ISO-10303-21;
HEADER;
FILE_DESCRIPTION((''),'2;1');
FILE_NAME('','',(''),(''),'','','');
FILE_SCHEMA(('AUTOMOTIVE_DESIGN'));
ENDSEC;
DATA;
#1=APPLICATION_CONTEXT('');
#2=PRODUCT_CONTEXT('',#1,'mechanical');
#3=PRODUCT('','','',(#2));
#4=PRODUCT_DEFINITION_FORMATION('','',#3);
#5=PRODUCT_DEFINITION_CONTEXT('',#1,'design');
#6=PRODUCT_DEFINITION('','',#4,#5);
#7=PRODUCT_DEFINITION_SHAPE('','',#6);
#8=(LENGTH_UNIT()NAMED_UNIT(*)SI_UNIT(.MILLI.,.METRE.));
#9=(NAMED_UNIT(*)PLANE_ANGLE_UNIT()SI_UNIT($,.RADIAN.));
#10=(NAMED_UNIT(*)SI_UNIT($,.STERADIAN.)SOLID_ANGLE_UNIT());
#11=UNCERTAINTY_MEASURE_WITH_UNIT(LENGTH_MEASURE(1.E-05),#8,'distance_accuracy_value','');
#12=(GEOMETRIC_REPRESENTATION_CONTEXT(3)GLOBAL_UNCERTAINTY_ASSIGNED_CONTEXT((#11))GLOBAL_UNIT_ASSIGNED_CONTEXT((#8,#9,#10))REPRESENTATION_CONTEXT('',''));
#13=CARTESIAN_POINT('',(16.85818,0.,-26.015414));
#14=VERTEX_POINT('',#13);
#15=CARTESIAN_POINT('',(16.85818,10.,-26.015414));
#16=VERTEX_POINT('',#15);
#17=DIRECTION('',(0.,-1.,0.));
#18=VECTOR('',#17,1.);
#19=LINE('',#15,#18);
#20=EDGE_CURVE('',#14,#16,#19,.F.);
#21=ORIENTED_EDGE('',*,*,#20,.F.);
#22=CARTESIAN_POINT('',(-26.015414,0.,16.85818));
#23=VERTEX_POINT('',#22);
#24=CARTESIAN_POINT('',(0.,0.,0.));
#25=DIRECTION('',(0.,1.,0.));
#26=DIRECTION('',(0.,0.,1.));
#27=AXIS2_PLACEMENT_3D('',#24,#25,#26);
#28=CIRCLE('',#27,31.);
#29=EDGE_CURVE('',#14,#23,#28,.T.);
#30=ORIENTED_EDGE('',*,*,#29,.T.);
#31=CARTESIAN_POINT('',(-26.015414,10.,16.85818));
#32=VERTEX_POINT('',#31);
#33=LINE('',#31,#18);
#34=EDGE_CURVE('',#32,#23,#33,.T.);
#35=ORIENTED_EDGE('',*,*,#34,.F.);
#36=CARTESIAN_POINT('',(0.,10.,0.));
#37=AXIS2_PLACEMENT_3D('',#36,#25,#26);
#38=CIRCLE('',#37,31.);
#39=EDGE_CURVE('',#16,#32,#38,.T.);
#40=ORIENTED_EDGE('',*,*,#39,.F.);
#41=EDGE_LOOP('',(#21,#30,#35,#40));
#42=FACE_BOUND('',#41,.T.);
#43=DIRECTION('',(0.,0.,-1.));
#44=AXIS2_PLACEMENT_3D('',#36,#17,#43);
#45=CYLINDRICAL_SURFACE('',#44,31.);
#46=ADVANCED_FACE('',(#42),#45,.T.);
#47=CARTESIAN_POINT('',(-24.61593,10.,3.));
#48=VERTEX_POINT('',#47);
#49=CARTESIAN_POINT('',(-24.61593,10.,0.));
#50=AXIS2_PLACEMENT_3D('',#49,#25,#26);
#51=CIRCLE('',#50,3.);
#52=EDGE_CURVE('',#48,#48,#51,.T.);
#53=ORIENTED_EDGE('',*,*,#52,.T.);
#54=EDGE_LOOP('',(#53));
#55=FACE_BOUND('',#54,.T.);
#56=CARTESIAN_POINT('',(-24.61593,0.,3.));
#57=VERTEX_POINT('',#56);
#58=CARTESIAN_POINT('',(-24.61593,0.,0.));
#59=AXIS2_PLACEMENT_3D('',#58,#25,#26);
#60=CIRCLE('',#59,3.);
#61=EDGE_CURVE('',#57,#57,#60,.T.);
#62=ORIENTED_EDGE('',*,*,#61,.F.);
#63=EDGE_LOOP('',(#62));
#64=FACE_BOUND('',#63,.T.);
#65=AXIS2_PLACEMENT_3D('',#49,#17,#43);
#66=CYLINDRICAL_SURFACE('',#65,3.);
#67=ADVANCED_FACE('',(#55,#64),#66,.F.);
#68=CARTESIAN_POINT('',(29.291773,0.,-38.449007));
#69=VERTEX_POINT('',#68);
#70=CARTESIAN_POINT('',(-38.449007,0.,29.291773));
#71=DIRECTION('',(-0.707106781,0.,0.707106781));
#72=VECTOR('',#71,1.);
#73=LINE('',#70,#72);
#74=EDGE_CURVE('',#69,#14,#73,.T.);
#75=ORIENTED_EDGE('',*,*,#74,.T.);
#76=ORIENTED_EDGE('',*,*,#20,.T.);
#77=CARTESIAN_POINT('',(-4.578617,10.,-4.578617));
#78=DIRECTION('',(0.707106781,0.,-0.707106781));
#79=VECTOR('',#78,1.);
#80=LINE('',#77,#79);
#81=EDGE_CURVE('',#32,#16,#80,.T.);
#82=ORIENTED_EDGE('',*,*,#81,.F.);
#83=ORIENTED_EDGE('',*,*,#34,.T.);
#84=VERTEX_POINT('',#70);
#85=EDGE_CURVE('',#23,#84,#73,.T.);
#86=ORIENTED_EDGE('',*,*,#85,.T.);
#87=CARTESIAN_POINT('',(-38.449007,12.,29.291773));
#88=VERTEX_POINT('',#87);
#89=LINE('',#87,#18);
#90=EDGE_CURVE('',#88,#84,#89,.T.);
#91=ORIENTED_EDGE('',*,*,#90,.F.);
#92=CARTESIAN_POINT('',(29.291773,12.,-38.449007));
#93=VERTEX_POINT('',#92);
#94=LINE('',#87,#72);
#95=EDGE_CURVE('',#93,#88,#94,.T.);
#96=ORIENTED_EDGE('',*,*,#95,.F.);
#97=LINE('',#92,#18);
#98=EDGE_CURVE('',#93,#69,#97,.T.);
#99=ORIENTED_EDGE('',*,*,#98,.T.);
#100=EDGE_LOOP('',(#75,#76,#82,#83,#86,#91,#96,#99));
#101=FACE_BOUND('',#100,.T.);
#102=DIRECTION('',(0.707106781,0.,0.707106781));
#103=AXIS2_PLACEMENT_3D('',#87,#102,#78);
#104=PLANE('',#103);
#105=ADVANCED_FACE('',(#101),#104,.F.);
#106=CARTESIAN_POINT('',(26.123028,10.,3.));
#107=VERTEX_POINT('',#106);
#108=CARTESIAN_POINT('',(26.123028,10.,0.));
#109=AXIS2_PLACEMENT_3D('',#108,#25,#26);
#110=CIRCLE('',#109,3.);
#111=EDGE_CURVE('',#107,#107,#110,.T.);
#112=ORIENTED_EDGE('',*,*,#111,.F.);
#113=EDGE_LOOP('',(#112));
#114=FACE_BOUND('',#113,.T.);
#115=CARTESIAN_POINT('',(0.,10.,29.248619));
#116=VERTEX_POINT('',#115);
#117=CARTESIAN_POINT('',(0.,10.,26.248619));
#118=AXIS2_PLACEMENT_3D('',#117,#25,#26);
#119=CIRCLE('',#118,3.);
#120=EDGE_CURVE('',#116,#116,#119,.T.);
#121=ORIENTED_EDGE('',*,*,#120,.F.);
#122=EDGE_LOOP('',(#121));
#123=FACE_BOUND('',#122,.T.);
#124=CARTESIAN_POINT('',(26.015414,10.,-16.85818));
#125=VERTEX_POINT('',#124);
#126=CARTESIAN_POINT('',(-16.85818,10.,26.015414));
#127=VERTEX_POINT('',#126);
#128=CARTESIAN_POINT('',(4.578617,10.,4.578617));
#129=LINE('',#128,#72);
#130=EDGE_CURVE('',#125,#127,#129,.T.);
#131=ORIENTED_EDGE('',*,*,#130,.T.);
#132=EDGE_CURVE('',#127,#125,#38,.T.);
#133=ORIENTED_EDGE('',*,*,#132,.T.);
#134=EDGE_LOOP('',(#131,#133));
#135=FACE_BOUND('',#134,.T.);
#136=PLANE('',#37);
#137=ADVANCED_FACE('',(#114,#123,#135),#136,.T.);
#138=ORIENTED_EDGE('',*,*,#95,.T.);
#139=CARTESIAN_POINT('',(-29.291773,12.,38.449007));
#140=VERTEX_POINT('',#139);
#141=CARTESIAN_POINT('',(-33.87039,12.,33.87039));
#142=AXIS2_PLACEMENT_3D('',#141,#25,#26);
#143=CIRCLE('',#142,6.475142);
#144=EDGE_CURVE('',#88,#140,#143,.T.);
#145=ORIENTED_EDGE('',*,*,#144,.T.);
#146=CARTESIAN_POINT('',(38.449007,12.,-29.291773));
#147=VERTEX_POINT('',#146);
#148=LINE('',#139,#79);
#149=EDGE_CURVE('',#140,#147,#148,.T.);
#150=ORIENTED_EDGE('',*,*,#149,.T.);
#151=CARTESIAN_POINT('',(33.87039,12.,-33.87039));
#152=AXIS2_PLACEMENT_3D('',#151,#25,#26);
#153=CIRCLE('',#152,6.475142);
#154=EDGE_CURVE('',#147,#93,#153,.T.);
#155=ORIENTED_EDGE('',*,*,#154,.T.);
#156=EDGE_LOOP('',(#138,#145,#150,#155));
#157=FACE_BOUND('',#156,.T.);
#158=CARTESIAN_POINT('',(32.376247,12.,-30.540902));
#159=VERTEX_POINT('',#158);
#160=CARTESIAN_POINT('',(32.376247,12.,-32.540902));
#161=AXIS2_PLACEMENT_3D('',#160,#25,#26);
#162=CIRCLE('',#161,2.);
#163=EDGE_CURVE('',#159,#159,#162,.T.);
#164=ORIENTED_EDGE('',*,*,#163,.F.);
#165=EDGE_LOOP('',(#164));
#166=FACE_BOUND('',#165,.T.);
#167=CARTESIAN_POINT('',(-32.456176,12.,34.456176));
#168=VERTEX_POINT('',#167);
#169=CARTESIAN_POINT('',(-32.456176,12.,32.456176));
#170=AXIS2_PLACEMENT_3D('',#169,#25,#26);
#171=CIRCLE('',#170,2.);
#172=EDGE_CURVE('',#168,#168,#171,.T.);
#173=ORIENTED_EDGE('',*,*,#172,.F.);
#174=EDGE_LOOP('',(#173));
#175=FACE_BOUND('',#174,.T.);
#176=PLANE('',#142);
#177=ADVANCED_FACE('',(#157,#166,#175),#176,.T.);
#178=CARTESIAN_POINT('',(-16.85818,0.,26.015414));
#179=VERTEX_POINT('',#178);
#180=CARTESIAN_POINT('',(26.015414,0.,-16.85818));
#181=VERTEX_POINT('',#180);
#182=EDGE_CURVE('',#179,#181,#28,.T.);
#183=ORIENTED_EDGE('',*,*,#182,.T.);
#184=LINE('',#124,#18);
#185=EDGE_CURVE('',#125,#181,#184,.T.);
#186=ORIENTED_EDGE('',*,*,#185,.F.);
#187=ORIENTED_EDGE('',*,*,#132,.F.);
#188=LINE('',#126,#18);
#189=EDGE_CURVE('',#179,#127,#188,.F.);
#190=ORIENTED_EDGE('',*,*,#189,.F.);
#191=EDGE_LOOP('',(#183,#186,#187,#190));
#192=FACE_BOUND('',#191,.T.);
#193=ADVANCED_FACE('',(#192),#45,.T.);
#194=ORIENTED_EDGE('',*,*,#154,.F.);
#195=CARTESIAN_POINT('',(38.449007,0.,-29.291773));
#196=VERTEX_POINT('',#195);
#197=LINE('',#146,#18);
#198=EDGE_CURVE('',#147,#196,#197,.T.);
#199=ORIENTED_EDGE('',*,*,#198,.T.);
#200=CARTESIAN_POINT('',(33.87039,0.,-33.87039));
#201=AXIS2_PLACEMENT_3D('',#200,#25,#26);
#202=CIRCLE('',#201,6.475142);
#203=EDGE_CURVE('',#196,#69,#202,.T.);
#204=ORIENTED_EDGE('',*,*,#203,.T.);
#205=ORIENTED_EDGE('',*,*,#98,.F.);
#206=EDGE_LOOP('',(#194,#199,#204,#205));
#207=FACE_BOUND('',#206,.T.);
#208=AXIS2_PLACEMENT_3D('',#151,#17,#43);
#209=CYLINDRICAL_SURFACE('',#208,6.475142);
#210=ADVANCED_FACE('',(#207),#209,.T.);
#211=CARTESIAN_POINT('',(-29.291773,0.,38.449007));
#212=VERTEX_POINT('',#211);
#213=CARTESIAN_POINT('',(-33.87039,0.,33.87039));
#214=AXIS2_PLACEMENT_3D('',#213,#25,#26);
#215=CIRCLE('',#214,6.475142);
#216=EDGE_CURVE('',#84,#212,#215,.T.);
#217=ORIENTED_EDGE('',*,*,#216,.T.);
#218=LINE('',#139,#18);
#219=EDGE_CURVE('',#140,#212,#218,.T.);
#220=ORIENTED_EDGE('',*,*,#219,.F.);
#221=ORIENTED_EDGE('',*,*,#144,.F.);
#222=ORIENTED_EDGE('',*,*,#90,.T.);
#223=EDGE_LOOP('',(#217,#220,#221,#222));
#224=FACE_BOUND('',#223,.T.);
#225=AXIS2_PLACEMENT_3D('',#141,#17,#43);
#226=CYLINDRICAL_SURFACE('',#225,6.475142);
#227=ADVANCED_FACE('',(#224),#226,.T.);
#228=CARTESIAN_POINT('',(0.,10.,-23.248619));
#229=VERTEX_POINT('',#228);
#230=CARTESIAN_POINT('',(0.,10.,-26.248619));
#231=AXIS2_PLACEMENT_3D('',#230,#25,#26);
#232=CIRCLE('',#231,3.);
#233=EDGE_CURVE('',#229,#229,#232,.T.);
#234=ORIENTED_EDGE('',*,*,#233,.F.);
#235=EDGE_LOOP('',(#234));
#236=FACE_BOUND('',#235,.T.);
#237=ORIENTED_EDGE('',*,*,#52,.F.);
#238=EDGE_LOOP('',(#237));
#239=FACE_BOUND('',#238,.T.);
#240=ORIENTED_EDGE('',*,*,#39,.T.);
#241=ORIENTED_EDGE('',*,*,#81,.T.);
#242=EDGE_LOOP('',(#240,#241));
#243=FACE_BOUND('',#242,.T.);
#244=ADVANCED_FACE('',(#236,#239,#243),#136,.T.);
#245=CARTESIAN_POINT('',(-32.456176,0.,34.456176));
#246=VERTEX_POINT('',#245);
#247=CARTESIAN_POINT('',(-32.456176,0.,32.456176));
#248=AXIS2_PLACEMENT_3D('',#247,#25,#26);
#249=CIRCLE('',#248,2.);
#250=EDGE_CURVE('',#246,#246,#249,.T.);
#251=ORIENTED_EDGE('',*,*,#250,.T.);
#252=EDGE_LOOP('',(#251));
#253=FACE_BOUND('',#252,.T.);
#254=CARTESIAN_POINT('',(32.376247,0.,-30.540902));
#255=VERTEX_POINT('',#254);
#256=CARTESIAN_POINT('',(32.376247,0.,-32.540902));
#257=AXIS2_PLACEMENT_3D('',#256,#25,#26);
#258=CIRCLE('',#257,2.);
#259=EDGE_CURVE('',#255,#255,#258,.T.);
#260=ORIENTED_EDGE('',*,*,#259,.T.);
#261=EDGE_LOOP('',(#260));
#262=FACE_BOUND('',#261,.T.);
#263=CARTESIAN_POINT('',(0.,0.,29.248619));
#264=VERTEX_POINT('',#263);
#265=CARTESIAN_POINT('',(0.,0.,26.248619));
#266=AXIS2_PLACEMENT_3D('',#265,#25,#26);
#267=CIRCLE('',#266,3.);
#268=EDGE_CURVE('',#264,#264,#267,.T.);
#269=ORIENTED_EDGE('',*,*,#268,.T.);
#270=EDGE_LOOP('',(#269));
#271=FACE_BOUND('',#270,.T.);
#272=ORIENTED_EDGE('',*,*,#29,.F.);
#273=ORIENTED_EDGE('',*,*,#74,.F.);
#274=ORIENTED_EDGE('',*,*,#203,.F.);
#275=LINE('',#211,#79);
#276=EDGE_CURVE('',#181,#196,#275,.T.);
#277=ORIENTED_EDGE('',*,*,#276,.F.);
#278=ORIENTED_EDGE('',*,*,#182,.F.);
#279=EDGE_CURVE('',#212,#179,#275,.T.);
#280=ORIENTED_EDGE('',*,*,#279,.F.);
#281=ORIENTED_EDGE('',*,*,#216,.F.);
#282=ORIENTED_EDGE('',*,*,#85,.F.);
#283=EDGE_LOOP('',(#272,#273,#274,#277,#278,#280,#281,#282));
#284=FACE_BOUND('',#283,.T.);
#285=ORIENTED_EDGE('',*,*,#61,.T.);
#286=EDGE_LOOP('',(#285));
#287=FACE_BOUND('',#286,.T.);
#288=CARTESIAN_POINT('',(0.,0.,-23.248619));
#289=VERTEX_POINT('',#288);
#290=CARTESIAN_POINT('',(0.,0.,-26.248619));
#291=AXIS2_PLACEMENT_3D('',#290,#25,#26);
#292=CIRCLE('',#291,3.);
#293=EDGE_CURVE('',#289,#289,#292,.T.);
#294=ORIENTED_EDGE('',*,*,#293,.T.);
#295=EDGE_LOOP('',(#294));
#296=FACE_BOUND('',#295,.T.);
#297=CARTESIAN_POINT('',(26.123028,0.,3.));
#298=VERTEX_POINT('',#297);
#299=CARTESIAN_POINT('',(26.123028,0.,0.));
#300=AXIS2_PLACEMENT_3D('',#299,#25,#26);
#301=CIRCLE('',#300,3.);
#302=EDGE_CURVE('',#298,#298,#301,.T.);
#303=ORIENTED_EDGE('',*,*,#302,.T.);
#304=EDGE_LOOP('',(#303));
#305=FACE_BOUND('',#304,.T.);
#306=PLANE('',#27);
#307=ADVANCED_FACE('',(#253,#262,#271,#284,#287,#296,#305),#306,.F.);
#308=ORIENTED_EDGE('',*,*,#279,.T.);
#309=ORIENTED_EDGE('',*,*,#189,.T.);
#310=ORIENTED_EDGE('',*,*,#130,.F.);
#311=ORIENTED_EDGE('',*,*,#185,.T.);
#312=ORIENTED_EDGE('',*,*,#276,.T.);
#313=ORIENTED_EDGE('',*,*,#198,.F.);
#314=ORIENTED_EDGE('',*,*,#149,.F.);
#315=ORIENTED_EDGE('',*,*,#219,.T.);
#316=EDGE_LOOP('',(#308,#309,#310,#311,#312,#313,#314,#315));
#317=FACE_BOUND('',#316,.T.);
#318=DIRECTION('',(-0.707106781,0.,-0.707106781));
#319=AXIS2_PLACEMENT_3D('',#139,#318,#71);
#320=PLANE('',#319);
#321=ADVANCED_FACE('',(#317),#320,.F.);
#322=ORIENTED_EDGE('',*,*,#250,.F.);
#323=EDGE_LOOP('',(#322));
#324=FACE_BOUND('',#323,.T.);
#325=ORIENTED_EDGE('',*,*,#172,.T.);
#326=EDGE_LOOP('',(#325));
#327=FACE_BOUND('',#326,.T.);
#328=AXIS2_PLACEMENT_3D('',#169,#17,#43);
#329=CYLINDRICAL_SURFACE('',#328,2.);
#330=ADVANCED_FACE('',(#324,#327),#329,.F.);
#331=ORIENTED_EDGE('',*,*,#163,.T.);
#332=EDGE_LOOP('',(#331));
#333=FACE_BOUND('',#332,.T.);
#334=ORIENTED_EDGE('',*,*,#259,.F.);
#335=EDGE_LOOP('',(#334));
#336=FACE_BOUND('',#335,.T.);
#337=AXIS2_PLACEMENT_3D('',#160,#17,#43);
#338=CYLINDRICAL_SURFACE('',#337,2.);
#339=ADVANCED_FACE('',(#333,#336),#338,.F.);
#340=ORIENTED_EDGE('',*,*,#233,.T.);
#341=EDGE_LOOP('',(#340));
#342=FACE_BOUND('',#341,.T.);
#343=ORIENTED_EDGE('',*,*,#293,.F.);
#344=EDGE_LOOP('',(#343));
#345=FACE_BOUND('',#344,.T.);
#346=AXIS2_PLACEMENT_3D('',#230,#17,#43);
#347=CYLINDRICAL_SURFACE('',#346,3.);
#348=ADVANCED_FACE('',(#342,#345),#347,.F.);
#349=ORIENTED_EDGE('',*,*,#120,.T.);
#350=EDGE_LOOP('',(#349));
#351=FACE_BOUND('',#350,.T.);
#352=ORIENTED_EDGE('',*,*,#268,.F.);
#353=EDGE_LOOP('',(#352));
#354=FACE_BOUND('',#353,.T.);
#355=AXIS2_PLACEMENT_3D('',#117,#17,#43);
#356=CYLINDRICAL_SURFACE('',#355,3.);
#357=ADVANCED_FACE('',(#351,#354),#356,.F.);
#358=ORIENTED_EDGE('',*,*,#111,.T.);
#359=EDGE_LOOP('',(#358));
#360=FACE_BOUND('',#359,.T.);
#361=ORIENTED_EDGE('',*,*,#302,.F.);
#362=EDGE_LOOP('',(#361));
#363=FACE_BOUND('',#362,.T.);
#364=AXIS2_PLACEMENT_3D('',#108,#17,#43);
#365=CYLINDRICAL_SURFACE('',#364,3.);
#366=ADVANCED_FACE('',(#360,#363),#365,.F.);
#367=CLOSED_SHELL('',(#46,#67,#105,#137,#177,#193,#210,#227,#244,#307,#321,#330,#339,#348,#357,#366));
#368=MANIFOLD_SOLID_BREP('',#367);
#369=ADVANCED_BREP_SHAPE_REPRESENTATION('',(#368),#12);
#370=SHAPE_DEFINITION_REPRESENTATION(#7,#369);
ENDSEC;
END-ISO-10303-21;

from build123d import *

# Parameters (mm, degrees)
SKETCH6_R           = 31
BOSS_EXTRUDE3_DEPTH = 10
SKETCH7_R           = 3
CUT_EXTRUDE4_DEPTH  = 10
SKETCH8_R           = 2
BOSS_EXTRUDE8_DEPTH = 12


with BuildPart() as part:
    # Sketch6 → Boss-Extrude3 (new body)
    with BuildSketch(Plane(origin=(0, 0, 0), x_dir=(1, 0, 0), z_dir=(0, 1, 0))):
        with Locations(Location((0, 0, 0), (0, 0, 270))):
            Circle(SKETCH6_R)
    extrude(amount=BOSS_EXTRUDE3_DEPTH)

    # Sketch7 → Cut-Extrude4 (cut)
    with BuildSketch(Plane(origin=(0, 0, 0), x_dir=(1, 0, 0), z_dir=(0, 1, 0))):
        with Locations(Location((0, 26.248619222, 0), (0, 0, 270))):
            Circle(SKETCH7_R)
        with Locations(Location((26.123027742, 0, 0), (0, 0, 270))):
            Circle(SKETCH7_R)
        with Locations(Location((-24.615929988, 0, 0), (0, 0, 270))):
            Circle(SKETCH7_R)
        with Locations(Location((0, -26.248619222, 0), (0, 0, 270))):
            Circle(SKETCH7_R)
    extrude(amount=CUT_EXTRUDE4_DEPTH, mode=Mode.SUBTRACT)

    # Sketch8 → Boss-Extrude8 (add)
    with BuildSketch(Plane(origin=(0, 0, 0), x_dir=(1, 0, 0), z_dir=(0, 1, 0))):
        with BuildLine():
            Line((-38.449006602, -29.291772781), (29.291772781, 38.449006602))
            ThreePointArc((29.291772781, 38.449006602), (38.449006602, 38.449006602), (38.449006602, 29.291772781))
            Line((38.449006602, 29.291772781), (-29.291772781, -38.449006602))
            ThreePointArc((-29.291772781, -38.449006602), (-38.449006602, -38.449006602), (-38.449006602, -29.291772781))
        make_face()
        with Locations(Location((32.376246773, 32.540902219, 0), (0, 0, 270))):
            Circle(SKETCH8_R, mode=Mode.SUBTRACT)
        with Locations(Location((-32.456176129, -32.456176129, 0), (0, 0, 270))):
            Circle(SKETCH8_R, mode=Mode.SUBTRACT)
    extrude(amount=BOSS_EXTRUDE8_DEPTH)


solid = part.part
